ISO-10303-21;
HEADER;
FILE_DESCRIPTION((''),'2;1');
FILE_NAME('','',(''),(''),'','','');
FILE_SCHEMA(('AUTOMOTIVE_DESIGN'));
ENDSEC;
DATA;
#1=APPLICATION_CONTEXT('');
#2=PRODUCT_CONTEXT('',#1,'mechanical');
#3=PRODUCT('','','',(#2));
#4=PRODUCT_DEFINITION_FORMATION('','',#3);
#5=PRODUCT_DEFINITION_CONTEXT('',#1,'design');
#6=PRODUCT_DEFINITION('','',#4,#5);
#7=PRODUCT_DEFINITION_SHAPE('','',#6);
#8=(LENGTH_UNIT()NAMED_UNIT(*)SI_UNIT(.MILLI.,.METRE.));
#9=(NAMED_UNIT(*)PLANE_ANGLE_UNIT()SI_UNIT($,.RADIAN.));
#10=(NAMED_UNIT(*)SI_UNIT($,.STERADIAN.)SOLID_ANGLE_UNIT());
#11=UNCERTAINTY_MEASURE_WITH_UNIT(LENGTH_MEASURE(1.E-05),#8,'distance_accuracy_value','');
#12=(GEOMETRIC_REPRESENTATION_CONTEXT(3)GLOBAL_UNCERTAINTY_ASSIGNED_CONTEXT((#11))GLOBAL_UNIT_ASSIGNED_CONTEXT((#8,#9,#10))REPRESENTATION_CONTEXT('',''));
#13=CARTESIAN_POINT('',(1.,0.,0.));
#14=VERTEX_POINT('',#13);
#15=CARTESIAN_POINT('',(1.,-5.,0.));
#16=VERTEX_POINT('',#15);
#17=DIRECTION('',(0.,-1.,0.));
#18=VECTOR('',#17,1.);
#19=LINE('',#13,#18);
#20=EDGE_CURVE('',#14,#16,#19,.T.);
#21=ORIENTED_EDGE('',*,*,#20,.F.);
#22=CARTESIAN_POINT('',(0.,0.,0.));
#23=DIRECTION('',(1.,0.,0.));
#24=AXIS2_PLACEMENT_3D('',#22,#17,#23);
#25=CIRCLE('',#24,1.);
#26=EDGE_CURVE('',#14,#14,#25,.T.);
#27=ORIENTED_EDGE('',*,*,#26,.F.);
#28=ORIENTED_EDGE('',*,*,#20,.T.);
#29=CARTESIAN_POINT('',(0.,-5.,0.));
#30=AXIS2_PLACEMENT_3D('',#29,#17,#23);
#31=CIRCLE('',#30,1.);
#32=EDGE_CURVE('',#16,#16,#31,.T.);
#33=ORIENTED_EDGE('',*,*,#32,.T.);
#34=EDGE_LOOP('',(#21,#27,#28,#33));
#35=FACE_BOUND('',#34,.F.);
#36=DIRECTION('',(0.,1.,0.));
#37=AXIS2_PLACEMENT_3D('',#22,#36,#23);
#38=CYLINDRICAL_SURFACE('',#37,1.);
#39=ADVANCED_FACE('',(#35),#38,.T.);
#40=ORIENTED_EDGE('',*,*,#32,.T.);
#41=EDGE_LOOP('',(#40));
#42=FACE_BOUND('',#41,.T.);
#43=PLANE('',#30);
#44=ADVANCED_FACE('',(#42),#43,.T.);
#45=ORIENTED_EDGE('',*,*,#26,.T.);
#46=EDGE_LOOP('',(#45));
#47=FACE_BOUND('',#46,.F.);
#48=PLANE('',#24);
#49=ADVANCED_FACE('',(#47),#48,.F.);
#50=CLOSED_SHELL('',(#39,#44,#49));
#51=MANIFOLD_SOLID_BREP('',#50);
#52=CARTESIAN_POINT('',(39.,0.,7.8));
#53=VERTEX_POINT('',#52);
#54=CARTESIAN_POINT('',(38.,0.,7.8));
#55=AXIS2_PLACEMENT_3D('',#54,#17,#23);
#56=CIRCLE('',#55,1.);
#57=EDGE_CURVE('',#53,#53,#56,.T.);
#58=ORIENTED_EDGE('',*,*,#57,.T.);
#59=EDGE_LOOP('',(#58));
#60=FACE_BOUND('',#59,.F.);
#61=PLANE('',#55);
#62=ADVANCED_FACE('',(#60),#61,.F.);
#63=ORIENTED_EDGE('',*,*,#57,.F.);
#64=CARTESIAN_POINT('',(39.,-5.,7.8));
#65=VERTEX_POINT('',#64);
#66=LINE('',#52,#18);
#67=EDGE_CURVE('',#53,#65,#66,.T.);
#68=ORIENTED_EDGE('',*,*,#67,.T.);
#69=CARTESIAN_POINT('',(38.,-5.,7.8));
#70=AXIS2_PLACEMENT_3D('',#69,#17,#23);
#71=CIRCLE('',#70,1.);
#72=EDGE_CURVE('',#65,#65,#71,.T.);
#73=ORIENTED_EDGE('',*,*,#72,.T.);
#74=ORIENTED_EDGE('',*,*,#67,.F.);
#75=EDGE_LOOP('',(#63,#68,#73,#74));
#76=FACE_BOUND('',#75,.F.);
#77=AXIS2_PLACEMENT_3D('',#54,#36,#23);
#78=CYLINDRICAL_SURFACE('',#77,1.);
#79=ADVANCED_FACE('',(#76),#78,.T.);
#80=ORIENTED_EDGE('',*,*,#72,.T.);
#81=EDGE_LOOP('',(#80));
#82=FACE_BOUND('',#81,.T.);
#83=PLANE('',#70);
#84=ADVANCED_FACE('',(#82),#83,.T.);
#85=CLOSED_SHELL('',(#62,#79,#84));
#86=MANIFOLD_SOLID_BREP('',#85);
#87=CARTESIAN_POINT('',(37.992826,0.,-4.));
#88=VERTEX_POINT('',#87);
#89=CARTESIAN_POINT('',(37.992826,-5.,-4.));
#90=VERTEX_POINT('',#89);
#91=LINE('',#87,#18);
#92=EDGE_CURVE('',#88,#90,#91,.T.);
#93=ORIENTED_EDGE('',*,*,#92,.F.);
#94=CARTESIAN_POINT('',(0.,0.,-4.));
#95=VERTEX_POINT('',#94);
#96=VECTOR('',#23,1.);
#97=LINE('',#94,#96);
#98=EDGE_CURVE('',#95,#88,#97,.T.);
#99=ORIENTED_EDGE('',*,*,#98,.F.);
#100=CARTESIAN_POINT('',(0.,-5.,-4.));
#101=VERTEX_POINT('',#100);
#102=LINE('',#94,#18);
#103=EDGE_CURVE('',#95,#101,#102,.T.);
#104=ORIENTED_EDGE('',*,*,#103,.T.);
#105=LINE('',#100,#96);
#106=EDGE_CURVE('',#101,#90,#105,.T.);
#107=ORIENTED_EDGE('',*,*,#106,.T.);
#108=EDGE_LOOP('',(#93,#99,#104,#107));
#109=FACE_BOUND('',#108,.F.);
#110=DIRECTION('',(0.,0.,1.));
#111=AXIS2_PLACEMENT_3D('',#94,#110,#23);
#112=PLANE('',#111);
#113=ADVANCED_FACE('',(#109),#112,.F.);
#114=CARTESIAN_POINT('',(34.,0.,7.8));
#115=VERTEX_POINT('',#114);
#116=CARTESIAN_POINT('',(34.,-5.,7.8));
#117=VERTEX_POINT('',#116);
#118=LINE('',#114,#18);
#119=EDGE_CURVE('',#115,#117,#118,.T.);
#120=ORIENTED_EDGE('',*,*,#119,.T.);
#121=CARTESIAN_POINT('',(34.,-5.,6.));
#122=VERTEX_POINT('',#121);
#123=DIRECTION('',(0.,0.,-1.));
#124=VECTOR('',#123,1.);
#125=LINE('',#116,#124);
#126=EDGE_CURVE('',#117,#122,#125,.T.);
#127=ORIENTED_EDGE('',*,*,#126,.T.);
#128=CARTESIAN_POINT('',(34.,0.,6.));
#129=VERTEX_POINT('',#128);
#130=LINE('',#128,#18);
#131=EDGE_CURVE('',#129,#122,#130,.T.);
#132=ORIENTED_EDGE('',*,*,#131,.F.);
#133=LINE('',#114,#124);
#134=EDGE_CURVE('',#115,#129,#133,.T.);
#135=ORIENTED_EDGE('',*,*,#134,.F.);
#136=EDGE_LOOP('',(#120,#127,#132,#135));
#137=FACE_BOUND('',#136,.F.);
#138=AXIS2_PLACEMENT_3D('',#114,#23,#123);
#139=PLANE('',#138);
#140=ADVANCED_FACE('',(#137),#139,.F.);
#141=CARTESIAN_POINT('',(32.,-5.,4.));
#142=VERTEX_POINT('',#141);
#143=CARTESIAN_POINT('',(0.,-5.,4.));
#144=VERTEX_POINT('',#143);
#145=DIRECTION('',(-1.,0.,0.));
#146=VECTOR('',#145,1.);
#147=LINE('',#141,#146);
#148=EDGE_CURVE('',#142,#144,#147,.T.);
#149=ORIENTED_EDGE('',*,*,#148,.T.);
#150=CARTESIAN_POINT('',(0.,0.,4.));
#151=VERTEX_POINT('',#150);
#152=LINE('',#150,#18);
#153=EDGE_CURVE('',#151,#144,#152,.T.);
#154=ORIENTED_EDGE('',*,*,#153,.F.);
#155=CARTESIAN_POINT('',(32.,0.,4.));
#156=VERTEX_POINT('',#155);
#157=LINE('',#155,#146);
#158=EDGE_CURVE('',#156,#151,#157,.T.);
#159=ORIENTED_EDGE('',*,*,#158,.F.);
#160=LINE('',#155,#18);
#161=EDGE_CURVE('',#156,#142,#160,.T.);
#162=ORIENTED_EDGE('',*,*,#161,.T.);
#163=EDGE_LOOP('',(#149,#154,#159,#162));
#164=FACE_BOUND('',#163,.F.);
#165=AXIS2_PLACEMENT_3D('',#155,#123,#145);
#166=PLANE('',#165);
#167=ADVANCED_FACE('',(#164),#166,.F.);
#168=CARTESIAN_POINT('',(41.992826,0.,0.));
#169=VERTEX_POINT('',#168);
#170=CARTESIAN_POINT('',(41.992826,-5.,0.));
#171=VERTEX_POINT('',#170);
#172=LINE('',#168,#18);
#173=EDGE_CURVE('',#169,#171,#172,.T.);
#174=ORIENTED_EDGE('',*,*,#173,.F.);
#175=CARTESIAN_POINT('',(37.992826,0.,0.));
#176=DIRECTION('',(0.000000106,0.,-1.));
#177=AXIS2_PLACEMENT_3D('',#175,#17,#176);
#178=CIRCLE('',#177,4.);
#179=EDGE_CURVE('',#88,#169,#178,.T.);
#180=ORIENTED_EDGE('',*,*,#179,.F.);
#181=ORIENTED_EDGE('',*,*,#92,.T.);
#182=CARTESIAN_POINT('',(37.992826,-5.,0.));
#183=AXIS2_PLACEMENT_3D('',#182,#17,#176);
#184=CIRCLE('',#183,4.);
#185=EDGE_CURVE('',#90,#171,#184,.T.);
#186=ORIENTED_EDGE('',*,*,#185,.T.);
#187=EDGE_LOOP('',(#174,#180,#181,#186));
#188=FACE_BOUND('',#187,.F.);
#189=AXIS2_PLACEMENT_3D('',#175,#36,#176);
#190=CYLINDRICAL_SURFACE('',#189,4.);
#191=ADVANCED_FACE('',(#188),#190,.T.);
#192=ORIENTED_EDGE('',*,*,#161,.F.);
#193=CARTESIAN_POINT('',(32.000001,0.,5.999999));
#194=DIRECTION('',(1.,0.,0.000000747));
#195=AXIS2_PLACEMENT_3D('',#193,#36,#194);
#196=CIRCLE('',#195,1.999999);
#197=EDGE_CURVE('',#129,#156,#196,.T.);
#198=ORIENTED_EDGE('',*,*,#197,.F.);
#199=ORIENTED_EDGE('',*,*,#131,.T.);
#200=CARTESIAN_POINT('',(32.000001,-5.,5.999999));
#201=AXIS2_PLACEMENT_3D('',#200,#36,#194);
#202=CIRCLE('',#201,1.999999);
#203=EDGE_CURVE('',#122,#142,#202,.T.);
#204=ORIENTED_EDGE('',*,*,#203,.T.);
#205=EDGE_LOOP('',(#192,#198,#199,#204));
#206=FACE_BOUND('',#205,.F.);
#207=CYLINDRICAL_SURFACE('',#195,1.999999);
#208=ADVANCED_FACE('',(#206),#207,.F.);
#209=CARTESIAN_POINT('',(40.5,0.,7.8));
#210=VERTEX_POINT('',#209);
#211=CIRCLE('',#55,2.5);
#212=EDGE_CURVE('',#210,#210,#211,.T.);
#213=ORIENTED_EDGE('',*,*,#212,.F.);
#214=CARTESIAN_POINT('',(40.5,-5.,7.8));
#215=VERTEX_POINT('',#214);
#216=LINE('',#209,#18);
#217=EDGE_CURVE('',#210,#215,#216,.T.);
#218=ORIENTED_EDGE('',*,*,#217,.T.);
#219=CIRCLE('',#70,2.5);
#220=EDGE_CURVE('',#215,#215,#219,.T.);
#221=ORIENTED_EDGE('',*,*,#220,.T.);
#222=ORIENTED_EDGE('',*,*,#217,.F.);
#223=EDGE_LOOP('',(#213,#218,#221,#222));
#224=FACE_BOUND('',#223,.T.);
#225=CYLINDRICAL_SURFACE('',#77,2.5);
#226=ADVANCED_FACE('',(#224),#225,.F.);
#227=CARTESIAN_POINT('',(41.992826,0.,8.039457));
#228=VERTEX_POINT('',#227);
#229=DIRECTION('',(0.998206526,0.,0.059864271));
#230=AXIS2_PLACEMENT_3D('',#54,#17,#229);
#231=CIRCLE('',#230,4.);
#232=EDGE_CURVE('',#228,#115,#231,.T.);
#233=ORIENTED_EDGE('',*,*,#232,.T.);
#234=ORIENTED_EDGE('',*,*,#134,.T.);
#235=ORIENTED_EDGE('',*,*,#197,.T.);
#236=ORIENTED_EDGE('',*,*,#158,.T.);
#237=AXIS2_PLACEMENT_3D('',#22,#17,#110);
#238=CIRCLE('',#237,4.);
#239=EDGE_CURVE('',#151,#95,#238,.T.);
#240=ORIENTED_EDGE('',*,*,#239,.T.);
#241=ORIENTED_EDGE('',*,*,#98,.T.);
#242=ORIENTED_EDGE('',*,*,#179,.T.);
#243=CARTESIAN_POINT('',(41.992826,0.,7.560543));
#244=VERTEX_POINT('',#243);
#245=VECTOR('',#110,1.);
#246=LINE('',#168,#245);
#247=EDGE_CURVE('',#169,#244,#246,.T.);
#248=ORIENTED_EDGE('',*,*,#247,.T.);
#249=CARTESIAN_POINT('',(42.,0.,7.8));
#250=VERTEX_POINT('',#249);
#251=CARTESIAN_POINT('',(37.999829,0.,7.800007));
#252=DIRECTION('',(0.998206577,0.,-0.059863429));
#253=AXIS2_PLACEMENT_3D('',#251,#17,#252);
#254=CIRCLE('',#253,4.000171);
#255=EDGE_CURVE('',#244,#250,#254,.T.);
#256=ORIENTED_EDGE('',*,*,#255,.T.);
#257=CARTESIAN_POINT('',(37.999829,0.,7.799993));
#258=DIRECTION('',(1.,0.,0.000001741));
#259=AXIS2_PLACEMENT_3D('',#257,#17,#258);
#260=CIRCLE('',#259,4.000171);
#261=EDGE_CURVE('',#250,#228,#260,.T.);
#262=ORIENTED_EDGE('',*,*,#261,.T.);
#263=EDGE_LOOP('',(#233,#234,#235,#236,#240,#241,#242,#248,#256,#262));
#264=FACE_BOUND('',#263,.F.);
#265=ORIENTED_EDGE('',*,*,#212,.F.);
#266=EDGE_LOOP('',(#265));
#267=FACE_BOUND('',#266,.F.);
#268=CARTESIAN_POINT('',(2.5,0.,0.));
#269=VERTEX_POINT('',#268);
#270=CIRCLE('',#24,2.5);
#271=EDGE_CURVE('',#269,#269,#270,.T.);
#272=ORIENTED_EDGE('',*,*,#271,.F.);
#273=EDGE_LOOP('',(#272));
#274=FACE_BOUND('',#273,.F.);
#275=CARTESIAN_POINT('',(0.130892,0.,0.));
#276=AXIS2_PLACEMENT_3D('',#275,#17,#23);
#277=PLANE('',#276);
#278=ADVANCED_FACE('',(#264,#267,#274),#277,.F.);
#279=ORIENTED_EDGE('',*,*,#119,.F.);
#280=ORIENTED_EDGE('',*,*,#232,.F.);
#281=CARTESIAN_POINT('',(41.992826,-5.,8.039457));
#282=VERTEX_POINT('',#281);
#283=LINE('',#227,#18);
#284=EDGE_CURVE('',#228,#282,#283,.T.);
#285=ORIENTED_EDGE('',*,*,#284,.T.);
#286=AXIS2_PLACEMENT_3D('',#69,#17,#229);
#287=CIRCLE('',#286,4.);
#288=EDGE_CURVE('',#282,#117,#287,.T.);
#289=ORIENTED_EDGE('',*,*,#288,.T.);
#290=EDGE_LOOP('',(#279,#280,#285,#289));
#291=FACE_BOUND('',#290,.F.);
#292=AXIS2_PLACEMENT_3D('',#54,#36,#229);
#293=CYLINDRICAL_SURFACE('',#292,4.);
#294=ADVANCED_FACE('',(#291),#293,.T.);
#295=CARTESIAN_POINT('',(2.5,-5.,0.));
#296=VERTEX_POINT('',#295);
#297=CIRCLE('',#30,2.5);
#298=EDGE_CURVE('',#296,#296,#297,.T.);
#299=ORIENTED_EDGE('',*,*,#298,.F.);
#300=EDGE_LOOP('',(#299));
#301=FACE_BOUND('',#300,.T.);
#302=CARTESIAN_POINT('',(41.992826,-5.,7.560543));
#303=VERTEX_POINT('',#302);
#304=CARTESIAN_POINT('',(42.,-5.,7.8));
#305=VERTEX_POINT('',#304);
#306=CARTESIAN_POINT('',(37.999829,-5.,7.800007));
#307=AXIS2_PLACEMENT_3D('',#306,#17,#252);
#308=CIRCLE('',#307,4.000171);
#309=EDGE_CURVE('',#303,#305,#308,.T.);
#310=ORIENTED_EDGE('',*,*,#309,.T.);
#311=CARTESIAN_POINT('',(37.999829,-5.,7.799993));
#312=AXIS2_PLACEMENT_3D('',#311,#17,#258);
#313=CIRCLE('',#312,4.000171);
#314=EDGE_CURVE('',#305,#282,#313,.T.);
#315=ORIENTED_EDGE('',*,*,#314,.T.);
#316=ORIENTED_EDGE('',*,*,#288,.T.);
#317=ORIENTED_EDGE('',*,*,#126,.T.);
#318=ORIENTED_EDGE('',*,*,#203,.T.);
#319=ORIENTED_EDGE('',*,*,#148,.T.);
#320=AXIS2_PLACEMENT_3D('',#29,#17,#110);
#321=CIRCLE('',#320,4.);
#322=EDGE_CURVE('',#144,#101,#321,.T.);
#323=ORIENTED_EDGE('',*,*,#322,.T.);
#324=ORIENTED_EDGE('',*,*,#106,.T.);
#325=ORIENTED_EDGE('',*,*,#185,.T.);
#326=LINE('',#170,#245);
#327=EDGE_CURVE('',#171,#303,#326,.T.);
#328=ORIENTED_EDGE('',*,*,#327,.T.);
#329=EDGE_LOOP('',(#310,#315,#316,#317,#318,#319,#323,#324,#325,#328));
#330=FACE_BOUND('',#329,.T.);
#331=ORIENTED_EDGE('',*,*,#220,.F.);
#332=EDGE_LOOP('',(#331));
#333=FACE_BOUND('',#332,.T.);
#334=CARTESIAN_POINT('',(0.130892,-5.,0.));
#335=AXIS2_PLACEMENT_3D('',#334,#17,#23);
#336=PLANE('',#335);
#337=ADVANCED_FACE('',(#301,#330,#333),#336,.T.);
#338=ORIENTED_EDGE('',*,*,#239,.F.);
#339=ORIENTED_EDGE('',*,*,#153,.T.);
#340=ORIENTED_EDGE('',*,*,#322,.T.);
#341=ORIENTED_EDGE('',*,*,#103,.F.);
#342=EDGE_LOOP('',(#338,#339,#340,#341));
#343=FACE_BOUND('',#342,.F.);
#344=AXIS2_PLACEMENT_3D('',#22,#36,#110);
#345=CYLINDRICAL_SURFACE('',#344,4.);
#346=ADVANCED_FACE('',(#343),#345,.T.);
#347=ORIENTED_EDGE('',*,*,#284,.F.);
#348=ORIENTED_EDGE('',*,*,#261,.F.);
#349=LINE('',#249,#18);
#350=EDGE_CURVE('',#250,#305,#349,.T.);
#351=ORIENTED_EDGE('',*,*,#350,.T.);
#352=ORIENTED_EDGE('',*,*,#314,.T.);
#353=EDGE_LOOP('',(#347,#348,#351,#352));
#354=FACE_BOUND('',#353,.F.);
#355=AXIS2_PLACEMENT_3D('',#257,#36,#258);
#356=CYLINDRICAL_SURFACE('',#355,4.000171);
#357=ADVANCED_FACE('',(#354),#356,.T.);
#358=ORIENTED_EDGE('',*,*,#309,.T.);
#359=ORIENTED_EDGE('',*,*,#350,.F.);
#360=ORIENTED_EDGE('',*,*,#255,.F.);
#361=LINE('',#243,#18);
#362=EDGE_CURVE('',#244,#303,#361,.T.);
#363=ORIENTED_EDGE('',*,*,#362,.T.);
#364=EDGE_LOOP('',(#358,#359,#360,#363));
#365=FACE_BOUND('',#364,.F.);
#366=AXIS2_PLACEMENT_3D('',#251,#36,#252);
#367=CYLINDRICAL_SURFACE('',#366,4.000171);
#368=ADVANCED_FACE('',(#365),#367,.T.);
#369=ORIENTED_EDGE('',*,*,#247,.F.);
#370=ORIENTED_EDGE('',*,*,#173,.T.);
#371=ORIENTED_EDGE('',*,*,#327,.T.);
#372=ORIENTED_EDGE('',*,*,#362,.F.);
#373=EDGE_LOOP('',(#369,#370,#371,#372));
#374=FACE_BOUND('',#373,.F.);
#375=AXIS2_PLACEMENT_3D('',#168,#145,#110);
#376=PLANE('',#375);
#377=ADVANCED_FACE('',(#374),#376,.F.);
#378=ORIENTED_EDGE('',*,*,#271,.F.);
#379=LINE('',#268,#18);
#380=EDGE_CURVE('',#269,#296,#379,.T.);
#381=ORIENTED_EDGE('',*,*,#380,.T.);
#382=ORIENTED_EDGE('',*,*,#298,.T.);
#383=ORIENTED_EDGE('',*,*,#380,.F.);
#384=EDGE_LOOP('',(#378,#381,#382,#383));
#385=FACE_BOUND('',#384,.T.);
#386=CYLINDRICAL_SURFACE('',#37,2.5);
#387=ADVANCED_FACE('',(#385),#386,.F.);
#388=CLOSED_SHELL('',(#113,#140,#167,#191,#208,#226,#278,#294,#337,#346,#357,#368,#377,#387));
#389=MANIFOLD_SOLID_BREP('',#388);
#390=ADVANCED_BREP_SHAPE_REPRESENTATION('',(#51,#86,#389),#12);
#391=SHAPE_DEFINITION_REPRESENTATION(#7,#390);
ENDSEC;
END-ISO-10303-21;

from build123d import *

# Parameters (mm, degrees)
F0_R     = 2.5
F0_R_2   = 1
F1_DEPTH = 5


with BuildPart() as f1:
    # F0 (on Front) → F1 (new body)
    with BuildSketch(Plane.XZ):
        with BuildLine():
            ThreePointArc((0, -4), (2.828427, -2.828427), (4, 0))
            ThreePointArc((4, 0), (2.828427, 2.828427), (0, 4))
            ThreePointArc((0, 4), (-4, 0), (0, -4))
        make_face()
        Circle(F0_R, mode=Mode.SUBTRACT)
        with BuildLine():
            ThreePointArc((0, 4), (2.828427, 2.828427), (4, 0))
            ThreePointArc((4, 0), (2.828427, -2.828427), (0, -4))
            Line((0, -4), (37.992826, -4))
            ThreePointArc((37.992826, -4), (40.821253, -2.828427), (41.992826, 0))
            Line((41.992826, 0), (41.992826, 7.560543))
            ThreePointArc((41.992826, 7.560543), (37.880218, 3.801794), (34, 7.8))
            Line((34, 7.8), (34, 6))
            ThreePointArc((34, 6), (33.414214, 4.585786), (32, 4))
            Line((32, 4), (0, 4))
        make_face()
        with BuildLine():
            ThreePointArc((41.992826, 8.039457), (37.880218, 11.798206), (34, 7.8))
            ThreePointArc((34, 7.8), (37.880218, 3.801794), (41.992826, 7.560543))
            Line((41.992826, 7.560543), (41.992826, 8.039457))
        make_face()
        with Locations((38, 7.8)):
            Circle(F0_R, mode=Mode.SUBTRACT)
        with BuildLine():
            Line((41.992826, 8.039457), (41.992826, 7.560543))
            ThreePointArc((41.992826, 7.560543), (41.998206, 7.680218), (42, 7.8))
            ThreePointArc((42, 7.8), (41.998206, 7.919782), (41.992826, 8.039457))
        make_face()
        Circle(F0_R_2)
        with Locations((38, 7.8)):
            Circle(F0_R_2)
    extrude(amount=F1_DEPTH)


solid = f1.part
